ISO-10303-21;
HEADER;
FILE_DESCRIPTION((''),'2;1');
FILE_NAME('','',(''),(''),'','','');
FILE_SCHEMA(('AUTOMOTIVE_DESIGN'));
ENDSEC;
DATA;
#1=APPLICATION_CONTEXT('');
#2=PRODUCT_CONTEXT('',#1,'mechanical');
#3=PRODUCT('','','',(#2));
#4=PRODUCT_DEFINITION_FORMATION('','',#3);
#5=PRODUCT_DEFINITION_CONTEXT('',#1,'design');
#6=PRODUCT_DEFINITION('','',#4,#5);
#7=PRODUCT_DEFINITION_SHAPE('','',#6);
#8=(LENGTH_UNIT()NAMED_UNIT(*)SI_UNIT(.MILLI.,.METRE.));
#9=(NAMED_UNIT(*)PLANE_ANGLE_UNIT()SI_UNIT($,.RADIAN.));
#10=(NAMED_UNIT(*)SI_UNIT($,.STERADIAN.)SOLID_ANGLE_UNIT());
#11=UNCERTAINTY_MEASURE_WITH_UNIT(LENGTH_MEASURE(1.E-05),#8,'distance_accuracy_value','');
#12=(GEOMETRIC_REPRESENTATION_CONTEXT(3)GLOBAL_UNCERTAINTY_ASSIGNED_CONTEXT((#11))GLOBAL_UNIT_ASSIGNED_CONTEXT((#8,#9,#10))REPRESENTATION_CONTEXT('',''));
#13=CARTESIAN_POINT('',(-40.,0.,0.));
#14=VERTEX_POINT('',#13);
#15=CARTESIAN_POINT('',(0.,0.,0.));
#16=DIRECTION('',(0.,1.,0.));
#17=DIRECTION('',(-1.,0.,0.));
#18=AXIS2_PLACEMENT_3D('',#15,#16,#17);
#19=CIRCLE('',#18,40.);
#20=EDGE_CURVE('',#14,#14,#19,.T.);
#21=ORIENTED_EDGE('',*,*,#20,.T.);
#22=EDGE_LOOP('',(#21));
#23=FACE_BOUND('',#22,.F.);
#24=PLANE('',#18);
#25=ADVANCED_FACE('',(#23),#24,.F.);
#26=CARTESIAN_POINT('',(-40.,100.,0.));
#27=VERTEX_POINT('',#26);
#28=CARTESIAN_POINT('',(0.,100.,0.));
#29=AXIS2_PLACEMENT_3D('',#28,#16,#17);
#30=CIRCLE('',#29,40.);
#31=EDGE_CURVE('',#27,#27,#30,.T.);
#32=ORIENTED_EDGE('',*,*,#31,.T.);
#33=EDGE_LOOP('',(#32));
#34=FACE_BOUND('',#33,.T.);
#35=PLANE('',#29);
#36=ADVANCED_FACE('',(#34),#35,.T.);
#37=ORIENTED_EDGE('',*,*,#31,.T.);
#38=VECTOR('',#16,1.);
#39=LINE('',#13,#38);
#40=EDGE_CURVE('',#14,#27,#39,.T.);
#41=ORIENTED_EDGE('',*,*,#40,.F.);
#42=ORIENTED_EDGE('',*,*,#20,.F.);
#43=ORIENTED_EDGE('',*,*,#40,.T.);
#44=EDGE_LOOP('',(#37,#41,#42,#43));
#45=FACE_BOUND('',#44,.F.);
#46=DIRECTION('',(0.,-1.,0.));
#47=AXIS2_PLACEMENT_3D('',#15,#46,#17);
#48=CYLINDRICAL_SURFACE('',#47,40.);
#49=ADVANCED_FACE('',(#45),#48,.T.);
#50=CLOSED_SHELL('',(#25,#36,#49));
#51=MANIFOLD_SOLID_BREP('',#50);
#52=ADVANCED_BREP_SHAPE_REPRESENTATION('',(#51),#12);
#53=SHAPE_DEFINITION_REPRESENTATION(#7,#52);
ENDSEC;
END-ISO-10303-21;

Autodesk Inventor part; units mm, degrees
ref_plane "YZ Plane" through (0, 0, 0) normal (1, 0, 0) x (0, 1, 0)
ref_plane "XZ Plane" through (0, 0, 0) normal (0, 1, 0) x (-1, 0, 0)
ref_plane "XY Plane" through (0, 0, 0) normal (0, 0, 1) x (1, 0, 0)
sketch "Sketch1" plane through (0, 0, 0) normal (0, 1, 0) x (-1, 0, 0)
  circle A0 centre (0, 0) radius 40
  dimension "d0" = 80
extrude "Extrusion1" add sketch "Sketch1" along normal blind 100
properties part number "Turret"
